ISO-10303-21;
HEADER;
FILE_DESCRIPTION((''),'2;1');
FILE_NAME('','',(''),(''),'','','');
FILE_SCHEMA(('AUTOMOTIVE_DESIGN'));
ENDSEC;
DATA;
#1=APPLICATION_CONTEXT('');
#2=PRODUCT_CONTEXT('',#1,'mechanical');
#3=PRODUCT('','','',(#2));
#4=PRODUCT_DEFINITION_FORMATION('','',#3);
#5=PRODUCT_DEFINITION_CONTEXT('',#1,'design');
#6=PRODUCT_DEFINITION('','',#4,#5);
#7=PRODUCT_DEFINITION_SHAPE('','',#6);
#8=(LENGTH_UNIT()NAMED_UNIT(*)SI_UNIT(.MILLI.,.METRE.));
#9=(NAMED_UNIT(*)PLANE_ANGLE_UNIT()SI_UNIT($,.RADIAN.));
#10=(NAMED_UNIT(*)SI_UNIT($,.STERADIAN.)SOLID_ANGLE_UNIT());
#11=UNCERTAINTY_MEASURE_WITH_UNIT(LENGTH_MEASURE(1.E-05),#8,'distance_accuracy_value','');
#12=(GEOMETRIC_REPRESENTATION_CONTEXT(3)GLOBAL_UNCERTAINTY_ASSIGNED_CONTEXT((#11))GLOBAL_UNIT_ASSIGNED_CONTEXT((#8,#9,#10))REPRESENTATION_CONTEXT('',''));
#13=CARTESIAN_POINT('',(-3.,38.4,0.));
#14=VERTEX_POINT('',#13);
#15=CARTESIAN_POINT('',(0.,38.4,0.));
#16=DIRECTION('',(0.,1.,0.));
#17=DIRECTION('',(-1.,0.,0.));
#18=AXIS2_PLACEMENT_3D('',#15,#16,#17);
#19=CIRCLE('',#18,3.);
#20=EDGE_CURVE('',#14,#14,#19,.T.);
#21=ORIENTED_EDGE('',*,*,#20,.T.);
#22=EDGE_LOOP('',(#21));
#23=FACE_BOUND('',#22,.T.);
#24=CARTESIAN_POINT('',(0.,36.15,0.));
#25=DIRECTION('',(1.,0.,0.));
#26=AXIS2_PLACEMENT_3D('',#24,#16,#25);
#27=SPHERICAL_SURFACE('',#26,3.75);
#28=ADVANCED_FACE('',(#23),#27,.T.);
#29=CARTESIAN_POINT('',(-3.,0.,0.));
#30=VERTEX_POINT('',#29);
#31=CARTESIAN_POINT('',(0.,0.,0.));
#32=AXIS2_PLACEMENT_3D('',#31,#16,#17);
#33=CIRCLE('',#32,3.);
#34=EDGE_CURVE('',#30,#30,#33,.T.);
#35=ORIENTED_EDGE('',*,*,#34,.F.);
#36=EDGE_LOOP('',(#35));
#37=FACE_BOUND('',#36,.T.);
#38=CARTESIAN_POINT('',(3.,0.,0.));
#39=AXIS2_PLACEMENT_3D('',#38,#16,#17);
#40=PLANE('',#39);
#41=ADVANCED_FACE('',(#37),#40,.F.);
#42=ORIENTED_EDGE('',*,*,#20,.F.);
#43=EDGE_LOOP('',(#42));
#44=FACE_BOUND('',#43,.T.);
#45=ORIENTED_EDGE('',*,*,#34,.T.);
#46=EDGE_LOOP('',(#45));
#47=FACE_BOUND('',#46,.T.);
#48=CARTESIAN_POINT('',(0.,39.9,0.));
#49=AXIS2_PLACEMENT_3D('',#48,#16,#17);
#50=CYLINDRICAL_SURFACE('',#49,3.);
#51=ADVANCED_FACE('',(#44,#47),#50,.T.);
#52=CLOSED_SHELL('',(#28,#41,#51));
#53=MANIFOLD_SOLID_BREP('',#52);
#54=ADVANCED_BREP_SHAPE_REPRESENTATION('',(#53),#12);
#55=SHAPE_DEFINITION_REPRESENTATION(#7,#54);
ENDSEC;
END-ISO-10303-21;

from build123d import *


with BuildPart() as part:
    # Sketch1 → Revolve1 (revolve)
    with BuildSketch(Plane.XY, mode=Mode.PRIVATE) as revolve1_sk:
        with BuildLine():
            Line((3, 38.4), (3, 0))
            Line((3, 0), (0, 0))
            Line((0, 0), (0, 39.9))
            ThreePointArc((0, 39.9), (1.677050983, 39.504101966), (3, 38.4))
        make_face()
    revolve(revolve1_sk.sketch.rotate(Axis((0, 39.9, 0), (0, -1, 0)), 180), axis=Axis((0, 39.9, 0), (0, -1, 0)))


solid = part.part
